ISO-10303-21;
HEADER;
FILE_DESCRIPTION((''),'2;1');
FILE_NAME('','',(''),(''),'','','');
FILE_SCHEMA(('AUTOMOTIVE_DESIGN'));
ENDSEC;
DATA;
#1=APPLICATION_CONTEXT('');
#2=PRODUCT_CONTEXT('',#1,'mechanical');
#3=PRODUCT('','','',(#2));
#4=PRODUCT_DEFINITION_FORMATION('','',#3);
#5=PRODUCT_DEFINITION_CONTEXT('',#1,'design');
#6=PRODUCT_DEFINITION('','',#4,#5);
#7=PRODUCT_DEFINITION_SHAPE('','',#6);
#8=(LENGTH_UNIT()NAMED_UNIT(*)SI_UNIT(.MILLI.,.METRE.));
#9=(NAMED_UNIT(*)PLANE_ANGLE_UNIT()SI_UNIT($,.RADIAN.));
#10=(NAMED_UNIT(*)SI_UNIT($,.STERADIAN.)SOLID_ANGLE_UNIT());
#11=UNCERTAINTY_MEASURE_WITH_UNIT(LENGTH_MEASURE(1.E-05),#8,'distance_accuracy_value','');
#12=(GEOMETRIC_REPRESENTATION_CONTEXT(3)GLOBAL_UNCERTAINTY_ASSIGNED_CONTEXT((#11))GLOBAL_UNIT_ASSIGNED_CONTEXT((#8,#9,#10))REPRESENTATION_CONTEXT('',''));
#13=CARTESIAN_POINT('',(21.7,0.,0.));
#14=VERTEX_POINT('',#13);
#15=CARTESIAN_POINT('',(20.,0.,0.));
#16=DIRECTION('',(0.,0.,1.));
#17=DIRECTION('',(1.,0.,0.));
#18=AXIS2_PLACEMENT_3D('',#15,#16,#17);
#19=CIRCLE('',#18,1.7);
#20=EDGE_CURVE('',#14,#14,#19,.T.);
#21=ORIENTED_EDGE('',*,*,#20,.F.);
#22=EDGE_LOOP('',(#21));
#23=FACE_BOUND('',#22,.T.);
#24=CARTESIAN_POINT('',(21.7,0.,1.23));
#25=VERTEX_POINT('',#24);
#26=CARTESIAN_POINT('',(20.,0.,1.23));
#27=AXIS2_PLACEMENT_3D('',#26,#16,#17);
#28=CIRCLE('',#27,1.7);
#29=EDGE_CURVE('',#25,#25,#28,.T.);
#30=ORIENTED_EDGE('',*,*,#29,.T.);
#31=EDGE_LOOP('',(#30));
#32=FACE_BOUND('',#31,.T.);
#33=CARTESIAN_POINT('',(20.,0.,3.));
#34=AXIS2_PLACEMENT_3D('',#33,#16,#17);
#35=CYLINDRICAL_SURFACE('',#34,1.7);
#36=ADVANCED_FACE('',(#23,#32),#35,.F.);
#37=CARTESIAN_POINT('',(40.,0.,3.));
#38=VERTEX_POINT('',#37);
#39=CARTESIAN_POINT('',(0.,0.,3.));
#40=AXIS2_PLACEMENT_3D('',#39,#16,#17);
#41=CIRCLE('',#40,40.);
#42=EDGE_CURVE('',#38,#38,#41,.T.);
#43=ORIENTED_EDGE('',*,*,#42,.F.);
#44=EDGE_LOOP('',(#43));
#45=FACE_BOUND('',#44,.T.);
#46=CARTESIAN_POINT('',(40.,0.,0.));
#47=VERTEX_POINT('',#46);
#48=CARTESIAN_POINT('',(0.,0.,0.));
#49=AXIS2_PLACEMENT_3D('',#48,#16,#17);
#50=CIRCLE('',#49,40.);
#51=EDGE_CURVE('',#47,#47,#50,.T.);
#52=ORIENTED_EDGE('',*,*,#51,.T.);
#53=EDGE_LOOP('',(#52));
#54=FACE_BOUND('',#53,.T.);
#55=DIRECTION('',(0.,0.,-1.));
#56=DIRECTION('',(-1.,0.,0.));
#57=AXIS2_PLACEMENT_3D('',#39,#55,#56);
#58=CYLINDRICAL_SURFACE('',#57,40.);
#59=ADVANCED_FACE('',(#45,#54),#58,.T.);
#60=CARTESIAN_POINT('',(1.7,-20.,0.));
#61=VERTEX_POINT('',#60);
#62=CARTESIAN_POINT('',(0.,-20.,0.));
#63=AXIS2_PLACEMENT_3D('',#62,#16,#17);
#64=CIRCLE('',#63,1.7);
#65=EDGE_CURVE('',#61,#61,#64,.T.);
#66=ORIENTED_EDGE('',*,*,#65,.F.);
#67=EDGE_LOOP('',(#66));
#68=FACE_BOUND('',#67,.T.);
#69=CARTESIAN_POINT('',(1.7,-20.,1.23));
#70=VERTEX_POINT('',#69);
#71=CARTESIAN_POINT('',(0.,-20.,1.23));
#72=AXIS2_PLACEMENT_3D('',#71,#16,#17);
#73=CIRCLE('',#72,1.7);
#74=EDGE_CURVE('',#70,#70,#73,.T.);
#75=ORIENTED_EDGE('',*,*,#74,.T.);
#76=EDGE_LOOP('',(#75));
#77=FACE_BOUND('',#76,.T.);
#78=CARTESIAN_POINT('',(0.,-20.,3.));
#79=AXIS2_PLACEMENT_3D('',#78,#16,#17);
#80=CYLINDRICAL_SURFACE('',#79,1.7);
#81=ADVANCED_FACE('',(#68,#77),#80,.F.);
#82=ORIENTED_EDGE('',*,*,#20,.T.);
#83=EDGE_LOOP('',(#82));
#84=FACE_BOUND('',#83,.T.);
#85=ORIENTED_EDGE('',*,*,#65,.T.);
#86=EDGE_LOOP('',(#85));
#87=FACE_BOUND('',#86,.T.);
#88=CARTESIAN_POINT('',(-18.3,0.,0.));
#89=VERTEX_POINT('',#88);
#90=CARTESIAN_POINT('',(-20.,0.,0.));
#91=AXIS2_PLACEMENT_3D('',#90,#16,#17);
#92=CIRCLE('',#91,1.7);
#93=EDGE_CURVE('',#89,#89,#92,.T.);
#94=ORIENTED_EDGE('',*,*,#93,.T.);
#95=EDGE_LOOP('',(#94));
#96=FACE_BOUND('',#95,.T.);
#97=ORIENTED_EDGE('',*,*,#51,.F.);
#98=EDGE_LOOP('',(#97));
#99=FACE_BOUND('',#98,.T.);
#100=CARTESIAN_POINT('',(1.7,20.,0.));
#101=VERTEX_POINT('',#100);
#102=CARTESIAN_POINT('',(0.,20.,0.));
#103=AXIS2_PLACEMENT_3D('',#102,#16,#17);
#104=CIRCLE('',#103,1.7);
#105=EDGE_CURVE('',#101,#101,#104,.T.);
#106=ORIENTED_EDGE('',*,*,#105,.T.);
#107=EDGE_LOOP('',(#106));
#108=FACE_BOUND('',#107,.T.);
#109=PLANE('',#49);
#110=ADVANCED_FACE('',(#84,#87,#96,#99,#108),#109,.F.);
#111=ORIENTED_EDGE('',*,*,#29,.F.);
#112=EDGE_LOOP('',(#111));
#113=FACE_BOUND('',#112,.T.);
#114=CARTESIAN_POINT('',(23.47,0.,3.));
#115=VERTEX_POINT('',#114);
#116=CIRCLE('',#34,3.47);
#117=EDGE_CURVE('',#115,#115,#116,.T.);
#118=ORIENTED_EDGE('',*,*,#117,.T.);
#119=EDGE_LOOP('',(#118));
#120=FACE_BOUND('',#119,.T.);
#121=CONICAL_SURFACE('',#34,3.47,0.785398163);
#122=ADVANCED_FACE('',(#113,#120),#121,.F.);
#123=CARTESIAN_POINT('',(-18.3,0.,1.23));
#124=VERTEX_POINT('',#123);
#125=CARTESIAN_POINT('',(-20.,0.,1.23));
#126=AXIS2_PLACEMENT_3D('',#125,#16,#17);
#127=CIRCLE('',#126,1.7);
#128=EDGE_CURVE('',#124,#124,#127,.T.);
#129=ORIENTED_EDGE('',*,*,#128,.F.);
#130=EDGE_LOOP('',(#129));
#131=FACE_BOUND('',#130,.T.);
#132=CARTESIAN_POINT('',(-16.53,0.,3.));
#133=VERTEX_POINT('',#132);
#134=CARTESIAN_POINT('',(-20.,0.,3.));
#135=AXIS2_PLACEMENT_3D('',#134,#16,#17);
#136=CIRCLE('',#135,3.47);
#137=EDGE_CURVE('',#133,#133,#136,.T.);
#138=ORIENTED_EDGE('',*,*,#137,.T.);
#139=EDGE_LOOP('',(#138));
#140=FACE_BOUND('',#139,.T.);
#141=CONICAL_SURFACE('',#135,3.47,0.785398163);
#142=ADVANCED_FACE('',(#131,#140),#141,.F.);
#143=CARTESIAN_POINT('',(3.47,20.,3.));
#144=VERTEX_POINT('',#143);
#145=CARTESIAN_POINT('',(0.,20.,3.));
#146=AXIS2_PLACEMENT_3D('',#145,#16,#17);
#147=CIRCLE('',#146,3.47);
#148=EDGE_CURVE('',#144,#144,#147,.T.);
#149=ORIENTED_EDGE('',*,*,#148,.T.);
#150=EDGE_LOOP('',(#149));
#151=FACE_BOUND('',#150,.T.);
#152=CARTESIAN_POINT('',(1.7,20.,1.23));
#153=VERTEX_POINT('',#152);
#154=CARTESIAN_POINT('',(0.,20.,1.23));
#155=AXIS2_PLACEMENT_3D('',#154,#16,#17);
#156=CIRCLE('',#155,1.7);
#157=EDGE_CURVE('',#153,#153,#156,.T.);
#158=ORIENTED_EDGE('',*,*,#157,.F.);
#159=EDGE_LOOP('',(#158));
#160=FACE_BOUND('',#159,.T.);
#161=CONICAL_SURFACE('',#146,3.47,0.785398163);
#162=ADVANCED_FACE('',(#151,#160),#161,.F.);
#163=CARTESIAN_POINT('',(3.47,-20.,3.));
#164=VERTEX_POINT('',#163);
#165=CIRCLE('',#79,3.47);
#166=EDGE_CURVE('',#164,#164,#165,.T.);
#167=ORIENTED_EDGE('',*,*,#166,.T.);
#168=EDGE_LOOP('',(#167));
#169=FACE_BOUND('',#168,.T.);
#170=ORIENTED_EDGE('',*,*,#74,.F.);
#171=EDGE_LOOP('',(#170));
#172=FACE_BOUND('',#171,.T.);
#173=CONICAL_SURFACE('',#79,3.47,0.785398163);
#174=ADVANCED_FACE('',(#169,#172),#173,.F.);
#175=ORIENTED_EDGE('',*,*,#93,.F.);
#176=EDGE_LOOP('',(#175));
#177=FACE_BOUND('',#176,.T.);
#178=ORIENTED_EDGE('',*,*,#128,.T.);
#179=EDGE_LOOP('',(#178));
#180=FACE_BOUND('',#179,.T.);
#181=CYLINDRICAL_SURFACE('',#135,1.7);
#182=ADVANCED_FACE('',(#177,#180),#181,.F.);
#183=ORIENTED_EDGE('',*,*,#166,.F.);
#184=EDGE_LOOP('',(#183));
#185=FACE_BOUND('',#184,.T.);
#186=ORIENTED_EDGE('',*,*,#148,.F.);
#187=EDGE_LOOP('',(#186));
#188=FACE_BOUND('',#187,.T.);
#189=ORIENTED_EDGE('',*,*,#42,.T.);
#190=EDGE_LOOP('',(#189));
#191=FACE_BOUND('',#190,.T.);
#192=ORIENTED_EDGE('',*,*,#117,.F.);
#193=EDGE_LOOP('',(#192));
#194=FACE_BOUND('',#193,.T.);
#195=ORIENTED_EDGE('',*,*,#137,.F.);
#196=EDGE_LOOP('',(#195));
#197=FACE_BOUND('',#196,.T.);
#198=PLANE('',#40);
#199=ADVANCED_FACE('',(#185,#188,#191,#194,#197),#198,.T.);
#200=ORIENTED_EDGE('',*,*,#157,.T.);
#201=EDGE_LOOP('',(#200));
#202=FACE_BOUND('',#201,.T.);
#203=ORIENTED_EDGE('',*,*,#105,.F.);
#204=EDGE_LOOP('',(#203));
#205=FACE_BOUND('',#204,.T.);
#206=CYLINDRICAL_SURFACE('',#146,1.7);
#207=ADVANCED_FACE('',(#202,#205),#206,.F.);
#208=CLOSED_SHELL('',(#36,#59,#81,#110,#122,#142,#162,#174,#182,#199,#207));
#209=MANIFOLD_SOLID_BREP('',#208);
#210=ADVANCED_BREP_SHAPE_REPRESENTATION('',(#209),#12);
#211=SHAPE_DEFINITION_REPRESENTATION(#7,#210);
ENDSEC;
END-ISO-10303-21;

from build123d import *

# Parameters (mm, degrees)
SKETCH_1_R                   = 40
EXTRUDE_1_DEPTH              = 3
HOLE_WIZARD_M3_1_D           = 3.4
HOLE_WIZARD_M3_1_DEPTH       = 10.12
HOLE_WIZARD_M3_1_CSINK_D     = 6.94
HOLE_WIZARD_M3_1_CSINK_ANGLE = 90
HOLE_WIZARD_M3_1_TIP         = 1.021463052


with BuildPart() as part:
    # 草图1 → 凸台-拉伸1 (new body)
    with BuildSketch(Plane.XY):
        Circle(SKETCH_1_R)
    extrude(amount=EXTRUDE_1_DEPTH)

    # M3 六角凹锥坑头螺钉的锥形沉头孔1
    with Locations(Plane(origin=(0, 20, 3), x_dir=(1, 0, 0), z_dir=(0, 0, 1))):
        with Locations((0, 0), (20, -20), (0, -40), (-20, -20)):
            CounterSinkHole(HOLE_WIZARD_M3_1_D / 2, HOLE_WIZARD_M3_1_CSINK_D / 2, depth=HOLE_WIZARD_M3_1_DEPTH, counter_sink_angle=HOLE_WIZARD_M3_1_CSINK_ANGLE)
            with Locations((0, 0, -(HOLE_WIZARD_M3_1_DEPTH + HOLE_WIZARD_M3_1_TIP / 2))):  # 118° drill point
                Cone(0, HOLE_WIZARD_M3_1_D / 2, HOLE_WIZARD_M3_1_TIP, mode=Mode.SUBTRACT)


solid = part.part
